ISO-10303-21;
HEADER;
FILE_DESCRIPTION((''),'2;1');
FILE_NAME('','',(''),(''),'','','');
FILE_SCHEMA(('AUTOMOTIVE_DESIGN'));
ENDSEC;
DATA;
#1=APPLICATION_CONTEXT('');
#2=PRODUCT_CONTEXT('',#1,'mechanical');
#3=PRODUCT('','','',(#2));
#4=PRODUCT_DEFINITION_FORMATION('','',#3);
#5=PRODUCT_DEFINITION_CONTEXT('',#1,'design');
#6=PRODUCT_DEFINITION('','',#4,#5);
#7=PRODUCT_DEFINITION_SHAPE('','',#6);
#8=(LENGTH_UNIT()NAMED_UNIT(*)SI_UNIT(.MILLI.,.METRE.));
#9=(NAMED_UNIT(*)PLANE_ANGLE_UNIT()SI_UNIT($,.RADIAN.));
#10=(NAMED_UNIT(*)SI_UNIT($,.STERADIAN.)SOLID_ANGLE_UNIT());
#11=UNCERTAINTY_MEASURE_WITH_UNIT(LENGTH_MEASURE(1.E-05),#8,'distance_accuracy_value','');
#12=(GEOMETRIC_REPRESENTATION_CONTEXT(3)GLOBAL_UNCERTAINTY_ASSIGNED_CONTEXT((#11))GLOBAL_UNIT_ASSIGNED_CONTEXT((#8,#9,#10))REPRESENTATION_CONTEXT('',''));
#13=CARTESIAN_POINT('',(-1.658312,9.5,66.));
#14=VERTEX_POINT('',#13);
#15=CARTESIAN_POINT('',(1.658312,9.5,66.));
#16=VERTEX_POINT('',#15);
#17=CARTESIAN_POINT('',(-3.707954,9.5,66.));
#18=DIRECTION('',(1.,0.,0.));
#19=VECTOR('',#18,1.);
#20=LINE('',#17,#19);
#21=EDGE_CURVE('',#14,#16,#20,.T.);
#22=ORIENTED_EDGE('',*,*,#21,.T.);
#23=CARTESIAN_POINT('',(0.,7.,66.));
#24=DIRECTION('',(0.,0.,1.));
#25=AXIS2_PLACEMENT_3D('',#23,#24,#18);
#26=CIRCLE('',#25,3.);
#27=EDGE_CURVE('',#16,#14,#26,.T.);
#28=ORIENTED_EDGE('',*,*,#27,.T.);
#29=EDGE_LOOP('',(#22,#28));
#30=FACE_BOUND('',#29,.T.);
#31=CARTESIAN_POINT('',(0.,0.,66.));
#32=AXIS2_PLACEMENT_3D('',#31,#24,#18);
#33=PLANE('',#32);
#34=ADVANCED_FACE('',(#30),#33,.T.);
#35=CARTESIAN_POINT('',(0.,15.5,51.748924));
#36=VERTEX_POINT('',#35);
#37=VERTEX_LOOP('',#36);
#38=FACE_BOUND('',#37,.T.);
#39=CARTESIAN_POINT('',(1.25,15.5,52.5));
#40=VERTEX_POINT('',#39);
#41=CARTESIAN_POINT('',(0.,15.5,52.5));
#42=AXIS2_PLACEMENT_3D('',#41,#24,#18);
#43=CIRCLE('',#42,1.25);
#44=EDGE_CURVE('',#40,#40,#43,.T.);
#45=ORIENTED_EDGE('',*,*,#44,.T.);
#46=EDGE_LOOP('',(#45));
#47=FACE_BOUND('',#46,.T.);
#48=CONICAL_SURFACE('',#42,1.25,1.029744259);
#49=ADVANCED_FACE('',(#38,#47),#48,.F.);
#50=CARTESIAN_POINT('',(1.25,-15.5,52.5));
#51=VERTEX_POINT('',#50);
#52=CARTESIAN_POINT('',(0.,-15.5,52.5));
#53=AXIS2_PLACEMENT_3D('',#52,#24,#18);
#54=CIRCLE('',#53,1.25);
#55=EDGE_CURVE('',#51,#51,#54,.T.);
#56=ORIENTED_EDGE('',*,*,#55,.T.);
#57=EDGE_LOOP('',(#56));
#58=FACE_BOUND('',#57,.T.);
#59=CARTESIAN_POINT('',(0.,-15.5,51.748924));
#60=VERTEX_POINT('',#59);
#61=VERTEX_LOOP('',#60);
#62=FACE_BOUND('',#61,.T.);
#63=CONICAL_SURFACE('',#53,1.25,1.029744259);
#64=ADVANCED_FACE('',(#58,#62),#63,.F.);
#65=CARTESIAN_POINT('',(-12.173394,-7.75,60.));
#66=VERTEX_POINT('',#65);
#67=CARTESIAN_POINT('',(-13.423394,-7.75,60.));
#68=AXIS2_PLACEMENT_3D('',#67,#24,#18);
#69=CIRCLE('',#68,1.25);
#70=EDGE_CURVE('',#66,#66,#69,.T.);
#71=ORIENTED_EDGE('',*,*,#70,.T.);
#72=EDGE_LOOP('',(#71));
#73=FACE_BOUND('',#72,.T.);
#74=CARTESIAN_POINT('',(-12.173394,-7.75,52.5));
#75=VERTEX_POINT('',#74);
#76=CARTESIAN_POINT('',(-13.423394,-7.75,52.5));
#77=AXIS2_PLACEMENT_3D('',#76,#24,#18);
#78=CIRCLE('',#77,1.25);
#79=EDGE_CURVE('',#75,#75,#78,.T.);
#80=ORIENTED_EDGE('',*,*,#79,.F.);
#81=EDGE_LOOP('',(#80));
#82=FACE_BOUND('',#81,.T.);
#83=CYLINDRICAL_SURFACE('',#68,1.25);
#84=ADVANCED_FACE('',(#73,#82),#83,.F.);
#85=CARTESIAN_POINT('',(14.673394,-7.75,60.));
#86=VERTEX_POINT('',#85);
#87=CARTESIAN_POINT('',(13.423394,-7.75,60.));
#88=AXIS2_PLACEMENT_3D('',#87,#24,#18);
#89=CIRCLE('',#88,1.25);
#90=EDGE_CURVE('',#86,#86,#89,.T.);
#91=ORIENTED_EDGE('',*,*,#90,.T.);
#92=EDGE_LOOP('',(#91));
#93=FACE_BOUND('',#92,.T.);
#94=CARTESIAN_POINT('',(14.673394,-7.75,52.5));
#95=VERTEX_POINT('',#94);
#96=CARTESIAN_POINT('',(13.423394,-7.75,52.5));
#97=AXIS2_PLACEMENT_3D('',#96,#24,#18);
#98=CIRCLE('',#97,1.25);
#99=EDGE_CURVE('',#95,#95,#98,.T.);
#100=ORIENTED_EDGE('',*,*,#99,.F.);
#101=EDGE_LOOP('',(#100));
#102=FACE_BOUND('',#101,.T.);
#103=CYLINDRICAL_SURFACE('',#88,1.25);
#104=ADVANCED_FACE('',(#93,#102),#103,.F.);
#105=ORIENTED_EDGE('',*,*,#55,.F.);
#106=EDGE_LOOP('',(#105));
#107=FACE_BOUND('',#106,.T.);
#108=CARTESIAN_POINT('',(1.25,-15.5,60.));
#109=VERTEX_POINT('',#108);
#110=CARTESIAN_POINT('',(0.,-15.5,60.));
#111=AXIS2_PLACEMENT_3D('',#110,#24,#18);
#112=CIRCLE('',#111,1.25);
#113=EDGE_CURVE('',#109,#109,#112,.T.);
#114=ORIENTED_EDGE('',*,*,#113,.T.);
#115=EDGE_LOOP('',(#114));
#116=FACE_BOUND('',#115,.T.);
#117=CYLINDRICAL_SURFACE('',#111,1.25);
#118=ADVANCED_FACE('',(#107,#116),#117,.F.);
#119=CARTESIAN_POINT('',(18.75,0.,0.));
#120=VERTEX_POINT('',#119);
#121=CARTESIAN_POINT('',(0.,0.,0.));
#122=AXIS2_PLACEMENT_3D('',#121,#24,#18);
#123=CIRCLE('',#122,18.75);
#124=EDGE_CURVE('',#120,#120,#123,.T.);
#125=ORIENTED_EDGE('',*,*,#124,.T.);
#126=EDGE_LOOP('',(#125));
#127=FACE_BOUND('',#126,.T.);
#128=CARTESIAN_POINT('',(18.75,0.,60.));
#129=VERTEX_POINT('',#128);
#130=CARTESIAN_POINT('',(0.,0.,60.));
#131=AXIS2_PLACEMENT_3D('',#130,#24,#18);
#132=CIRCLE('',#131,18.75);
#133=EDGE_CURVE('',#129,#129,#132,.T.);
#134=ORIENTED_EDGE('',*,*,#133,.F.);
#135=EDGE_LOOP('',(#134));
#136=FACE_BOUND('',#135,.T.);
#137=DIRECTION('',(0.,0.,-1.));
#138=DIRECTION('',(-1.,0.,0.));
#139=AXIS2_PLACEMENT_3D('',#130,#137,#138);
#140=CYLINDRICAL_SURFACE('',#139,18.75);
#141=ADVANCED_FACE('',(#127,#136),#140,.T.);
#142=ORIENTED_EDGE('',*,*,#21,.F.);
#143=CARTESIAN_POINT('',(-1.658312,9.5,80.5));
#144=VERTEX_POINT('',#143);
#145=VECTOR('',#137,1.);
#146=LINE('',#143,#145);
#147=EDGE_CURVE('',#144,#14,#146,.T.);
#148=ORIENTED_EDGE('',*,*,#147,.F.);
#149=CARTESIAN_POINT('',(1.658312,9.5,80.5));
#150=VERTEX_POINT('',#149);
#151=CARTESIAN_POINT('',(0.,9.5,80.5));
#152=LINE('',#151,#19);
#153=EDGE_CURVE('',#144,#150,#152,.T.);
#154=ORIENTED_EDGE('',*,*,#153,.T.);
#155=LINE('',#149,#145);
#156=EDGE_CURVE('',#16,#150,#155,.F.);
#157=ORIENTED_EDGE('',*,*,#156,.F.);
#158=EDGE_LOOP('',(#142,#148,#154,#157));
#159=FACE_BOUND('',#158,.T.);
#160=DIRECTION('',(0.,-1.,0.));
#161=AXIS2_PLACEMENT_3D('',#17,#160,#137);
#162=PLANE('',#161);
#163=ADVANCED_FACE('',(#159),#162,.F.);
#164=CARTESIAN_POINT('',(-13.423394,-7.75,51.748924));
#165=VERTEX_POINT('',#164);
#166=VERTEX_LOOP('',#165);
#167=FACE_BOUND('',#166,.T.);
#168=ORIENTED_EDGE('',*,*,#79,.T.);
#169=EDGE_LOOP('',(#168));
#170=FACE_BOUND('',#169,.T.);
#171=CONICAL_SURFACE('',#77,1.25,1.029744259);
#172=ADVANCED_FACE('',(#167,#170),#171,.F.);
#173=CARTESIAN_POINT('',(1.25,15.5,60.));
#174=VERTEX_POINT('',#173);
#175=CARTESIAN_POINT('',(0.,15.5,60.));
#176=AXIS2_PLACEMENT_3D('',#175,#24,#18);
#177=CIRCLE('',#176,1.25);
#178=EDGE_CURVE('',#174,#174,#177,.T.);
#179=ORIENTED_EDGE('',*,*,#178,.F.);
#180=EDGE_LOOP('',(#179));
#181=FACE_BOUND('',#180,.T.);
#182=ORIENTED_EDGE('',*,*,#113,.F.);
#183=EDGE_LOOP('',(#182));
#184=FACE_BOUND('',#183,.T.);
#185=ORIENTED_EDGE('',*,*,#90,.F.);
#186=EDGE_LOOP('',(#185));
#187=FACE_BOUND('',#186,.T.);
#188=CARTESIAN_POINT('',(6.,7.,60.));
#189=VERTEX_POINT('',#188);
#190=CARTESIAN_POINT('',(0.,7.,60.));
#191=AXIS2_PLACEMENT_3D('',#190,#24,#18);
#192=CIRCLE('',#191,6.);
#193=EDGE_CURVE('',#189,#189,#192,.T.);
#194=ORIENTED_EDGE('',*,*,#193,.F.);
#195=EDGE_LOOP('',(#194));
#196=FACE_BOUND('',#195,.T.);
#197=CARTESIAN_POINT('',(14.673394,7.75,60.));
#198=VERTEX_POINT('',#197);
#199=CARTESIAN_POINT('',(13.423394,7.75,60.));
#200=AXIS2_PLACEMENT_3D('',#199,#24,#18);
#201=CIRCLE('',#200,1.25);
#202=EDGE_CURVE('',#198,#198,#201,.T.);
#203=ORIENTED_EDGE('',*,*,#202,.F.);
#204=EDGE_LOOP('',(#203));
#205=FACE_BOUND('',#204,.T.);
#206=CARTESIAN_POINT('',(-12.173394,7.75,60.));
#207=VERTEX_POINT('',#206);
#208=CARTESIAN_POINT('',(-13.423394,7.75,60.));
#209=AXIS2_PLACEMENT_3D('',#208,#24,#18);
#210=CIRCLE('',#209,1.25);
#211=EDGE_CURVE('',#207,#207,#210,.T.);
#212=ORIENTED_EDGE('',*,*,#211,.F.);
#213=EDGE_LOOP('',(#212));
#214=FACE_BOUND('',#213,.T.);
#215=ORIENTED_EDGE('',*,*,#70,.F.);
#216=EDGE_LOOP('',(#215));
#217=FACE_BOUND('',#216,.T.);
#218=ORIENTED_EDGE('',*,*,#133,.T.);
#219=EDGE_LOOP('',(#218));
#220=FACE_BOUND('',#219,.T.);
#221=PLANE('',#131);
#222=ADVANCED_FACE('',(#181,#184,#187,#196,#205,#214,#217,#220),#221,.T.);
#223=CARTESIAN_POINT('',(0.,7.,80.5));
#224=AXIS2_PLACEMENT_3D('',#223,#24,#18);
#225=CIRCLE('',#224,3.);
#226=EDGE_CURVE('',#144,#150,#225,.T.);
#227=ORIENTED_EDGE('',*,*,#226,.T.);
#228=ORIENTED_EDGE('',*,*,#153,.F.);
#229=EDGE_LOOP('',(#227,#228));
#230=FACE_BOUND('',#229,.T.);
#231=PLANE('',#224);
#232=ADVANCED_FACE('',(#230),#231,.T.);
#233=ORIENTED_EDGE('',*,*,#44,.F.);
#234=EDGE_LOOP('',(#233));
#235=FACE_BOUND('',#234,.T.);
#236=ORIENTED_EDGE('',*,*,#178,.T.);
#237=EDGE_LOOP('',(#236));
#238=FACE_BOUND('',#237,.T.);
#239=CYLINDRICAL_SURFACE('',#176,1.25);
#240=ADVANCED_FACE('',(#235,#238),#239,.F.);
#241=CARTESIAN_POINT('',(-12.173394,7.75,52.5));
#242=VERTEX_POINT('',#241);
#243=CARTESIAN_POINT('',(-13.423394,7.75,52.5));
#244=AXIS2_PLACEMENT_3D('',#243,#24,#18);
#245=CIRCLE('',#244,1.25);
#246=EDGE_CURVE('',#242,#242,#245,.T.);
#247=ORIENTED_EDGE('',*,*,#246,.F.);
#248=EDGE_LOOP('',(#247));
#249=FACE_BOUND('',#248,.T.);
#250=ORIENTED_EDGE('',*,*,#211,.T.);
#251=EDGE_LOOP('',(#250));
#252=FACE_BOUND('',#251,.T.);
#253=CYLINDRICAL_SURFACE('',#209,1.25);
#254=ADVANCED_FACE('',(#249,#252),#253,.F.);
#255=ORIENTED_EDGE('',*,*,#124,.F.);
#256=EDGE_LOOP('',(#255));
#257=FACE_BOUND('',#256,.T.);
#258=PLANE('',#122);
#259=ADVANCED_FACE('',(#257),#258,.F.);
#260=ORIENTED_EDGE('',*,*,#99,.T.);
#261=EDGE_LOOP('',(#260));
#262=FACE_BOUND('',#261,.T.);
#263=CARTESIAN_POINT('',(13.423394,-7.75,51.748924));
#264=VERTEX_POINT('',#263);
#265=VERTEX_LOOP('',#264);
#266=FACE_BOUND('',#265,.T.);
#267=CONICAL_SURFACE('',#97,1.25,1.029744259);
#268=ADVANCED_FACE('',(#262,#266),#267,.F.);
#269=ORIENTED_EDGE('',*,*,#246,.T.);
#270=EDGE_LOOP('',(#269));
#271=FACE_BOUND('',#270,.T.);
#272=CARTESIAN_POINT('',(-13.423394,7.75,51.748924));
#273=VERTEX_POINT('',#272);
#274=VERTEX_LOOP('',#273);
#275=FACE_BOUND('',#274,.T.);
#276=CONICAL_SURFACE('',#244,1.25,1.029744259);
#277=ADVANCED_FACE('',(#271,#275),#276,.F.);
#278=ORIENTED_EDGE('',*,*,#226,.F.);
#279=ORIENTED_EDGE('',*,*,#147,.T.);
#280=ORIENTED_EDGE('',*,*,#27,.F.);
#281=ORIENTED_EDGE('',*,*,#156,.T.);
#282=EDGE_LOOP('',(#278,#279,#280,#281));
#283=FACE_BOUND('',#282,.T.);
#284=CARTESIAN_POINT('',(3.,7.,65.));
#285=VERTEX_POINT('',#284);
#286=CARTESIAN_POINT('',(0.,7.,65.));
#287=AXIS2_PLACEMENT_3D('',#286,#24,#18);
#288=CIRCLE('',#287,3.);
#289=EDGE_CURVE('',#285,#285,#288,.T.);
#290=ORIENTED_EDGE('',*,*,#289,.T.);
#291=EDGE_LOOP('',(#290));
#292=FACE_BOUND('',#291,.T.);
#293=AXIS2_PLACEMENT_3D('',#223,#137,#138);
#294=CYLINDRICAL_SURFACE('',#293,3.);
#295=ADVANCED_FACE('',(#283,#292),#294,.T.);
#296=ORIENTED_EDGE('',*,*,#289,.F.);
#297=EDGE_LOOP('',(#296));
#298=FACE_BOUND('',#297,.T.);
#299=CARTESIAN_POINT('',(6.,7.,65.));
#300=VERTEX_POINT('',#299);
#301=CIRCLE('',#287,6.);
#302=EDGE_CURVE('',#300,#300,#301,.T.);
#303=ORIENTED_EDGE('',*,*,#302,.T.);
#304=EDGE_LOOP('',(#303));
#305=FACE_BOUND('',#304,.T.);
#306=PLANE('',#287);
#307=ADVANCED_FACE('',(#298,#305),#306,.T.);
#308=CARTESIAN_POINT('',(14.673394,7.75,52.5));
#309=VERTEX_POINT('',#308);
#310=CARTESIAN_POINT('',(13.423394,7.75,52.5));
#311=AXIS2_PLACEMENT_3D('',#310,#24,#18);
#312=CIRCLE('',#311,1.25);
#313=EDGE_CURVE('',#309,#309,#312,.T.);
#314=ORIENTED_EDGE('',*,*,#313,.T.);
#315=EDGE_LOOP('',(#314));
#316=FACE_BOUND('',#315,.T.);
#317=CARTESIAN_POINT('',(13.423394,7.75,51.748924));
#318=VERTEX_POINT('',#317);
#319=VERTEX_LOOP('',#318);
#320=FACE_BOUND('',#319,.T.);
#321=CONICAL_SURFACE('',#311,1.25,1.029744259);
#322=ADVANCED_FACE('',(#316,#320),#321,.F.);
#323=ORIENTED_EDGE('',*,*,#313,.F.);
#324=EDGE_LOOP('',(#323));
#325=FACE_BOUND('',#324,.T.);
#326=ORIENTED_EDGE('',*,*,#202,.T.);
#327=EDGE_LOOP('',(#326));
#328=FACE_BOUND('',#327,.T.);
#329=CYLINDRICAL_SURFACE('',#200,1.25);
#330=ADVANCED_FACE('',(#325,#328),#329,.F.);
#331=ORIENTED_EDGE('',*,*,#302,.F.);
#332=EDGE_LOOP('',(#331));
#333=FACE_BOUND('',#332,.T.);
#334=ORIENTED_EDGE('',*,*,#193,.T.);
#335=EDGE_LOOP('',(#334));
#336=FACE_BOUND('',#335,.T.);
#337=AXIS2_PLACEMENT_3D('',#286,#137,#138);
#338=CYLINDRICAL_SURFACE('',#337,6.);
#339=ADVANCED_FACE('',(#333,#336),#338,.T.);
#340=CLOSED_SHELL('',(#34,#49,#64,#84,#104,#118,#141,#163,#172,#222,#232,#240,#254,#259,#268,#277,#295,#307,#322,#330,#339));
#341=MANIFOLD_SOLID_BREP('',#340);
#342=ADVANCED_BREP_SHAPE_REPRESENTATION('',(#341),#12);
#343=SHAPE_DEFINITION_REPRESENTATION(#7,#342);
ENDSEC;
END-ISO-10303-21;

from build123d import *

# Parameters (mm, degrees)
SKETCH_1_R               = 18.75
EXTRUDE_1_DEPTH          = 60
SKETCH_2_R               = 6
EXTRUDE_2_DEPTH          = 5
SKETCH_3_R               = 3
EXTRUDE_3_DEPTH          = 15.5
SKETCH_4_W               = 7.331861777
SKETCH_4_H               = 1.908292791
CUT_EXTRUDE_1_DEPTH      = 14.5
PATTERN_CIRCULAR_1_COUNT = 6


with BuildPart() as part:
    # 草图1 → 凸台-拉伸1 (new body)
    with BuildSketch(Plane.XY):
        Circle(SKETCH_1_R)
    extrude(amount=EXTRUDE_1_DEPTH)

    # 草图2 → 凸台-拉伸2 (add)
    with BuildSketch(Plane.XY.offset(60)):
        with Locations((0, 7)):
            Circle(SKETCH_2_R)
    extrude(amount=EXTRUDE_2_DEPTH)

    # 草图3 → 凸台-拉伸3 (add)
    with BuildSketch(Plane.XY.offset(65)):
        with Locations((0, 7)):
            Circle(SKETCH_3_R)
    extrude(amount=EXTRUDE_3_DEPTH)

    # 草图4 → 切除-拉伸1 (cut)
    with BuildSketch(Plane.XY.offset(80.5)):
        with Locations((-0.04202298, 10.454146396)):
            Rectangle(SKETCH_4_W, SKETCH_4_H)
    extrude(amount=-CUT_EXTRUDE_1_DEPTH, mode=Mode.SUBTRACT)

    # 草图6 → M3 螺纹孔1 (revolve, cut)
    with BuildSketch(Plane(origin=(0, 15.5, 60), x_dir=(0, -1, 0), z_dir=(1, 0, 0))):
        Polygon((0, 0), (0, 8.251075774), (1.25, 7.5), (1.25, 0), align=None)
    hole_wizard_m3_1 = revolve(axis=Axis((0, 15.5, 66.35), (0, 0, -1)), mode=Mode.SUBTRACT)

    # 阵列(圆周)1: M3 螺纹孔1 ×6 about axis
    pattern_circular_1_axis = Axis((0, 0, 0), (0, 0, 1))
    for i in range(1, PATTERN_CIRCULAR_1_COUNT):
        add(hole_wizard_m3_1.rotate(pattern_circular_1_axis, i * 360 / PATTERN_CIRCULAR_1_COUNT), mode=Mode.SUBTRACT)


solid = part.part
